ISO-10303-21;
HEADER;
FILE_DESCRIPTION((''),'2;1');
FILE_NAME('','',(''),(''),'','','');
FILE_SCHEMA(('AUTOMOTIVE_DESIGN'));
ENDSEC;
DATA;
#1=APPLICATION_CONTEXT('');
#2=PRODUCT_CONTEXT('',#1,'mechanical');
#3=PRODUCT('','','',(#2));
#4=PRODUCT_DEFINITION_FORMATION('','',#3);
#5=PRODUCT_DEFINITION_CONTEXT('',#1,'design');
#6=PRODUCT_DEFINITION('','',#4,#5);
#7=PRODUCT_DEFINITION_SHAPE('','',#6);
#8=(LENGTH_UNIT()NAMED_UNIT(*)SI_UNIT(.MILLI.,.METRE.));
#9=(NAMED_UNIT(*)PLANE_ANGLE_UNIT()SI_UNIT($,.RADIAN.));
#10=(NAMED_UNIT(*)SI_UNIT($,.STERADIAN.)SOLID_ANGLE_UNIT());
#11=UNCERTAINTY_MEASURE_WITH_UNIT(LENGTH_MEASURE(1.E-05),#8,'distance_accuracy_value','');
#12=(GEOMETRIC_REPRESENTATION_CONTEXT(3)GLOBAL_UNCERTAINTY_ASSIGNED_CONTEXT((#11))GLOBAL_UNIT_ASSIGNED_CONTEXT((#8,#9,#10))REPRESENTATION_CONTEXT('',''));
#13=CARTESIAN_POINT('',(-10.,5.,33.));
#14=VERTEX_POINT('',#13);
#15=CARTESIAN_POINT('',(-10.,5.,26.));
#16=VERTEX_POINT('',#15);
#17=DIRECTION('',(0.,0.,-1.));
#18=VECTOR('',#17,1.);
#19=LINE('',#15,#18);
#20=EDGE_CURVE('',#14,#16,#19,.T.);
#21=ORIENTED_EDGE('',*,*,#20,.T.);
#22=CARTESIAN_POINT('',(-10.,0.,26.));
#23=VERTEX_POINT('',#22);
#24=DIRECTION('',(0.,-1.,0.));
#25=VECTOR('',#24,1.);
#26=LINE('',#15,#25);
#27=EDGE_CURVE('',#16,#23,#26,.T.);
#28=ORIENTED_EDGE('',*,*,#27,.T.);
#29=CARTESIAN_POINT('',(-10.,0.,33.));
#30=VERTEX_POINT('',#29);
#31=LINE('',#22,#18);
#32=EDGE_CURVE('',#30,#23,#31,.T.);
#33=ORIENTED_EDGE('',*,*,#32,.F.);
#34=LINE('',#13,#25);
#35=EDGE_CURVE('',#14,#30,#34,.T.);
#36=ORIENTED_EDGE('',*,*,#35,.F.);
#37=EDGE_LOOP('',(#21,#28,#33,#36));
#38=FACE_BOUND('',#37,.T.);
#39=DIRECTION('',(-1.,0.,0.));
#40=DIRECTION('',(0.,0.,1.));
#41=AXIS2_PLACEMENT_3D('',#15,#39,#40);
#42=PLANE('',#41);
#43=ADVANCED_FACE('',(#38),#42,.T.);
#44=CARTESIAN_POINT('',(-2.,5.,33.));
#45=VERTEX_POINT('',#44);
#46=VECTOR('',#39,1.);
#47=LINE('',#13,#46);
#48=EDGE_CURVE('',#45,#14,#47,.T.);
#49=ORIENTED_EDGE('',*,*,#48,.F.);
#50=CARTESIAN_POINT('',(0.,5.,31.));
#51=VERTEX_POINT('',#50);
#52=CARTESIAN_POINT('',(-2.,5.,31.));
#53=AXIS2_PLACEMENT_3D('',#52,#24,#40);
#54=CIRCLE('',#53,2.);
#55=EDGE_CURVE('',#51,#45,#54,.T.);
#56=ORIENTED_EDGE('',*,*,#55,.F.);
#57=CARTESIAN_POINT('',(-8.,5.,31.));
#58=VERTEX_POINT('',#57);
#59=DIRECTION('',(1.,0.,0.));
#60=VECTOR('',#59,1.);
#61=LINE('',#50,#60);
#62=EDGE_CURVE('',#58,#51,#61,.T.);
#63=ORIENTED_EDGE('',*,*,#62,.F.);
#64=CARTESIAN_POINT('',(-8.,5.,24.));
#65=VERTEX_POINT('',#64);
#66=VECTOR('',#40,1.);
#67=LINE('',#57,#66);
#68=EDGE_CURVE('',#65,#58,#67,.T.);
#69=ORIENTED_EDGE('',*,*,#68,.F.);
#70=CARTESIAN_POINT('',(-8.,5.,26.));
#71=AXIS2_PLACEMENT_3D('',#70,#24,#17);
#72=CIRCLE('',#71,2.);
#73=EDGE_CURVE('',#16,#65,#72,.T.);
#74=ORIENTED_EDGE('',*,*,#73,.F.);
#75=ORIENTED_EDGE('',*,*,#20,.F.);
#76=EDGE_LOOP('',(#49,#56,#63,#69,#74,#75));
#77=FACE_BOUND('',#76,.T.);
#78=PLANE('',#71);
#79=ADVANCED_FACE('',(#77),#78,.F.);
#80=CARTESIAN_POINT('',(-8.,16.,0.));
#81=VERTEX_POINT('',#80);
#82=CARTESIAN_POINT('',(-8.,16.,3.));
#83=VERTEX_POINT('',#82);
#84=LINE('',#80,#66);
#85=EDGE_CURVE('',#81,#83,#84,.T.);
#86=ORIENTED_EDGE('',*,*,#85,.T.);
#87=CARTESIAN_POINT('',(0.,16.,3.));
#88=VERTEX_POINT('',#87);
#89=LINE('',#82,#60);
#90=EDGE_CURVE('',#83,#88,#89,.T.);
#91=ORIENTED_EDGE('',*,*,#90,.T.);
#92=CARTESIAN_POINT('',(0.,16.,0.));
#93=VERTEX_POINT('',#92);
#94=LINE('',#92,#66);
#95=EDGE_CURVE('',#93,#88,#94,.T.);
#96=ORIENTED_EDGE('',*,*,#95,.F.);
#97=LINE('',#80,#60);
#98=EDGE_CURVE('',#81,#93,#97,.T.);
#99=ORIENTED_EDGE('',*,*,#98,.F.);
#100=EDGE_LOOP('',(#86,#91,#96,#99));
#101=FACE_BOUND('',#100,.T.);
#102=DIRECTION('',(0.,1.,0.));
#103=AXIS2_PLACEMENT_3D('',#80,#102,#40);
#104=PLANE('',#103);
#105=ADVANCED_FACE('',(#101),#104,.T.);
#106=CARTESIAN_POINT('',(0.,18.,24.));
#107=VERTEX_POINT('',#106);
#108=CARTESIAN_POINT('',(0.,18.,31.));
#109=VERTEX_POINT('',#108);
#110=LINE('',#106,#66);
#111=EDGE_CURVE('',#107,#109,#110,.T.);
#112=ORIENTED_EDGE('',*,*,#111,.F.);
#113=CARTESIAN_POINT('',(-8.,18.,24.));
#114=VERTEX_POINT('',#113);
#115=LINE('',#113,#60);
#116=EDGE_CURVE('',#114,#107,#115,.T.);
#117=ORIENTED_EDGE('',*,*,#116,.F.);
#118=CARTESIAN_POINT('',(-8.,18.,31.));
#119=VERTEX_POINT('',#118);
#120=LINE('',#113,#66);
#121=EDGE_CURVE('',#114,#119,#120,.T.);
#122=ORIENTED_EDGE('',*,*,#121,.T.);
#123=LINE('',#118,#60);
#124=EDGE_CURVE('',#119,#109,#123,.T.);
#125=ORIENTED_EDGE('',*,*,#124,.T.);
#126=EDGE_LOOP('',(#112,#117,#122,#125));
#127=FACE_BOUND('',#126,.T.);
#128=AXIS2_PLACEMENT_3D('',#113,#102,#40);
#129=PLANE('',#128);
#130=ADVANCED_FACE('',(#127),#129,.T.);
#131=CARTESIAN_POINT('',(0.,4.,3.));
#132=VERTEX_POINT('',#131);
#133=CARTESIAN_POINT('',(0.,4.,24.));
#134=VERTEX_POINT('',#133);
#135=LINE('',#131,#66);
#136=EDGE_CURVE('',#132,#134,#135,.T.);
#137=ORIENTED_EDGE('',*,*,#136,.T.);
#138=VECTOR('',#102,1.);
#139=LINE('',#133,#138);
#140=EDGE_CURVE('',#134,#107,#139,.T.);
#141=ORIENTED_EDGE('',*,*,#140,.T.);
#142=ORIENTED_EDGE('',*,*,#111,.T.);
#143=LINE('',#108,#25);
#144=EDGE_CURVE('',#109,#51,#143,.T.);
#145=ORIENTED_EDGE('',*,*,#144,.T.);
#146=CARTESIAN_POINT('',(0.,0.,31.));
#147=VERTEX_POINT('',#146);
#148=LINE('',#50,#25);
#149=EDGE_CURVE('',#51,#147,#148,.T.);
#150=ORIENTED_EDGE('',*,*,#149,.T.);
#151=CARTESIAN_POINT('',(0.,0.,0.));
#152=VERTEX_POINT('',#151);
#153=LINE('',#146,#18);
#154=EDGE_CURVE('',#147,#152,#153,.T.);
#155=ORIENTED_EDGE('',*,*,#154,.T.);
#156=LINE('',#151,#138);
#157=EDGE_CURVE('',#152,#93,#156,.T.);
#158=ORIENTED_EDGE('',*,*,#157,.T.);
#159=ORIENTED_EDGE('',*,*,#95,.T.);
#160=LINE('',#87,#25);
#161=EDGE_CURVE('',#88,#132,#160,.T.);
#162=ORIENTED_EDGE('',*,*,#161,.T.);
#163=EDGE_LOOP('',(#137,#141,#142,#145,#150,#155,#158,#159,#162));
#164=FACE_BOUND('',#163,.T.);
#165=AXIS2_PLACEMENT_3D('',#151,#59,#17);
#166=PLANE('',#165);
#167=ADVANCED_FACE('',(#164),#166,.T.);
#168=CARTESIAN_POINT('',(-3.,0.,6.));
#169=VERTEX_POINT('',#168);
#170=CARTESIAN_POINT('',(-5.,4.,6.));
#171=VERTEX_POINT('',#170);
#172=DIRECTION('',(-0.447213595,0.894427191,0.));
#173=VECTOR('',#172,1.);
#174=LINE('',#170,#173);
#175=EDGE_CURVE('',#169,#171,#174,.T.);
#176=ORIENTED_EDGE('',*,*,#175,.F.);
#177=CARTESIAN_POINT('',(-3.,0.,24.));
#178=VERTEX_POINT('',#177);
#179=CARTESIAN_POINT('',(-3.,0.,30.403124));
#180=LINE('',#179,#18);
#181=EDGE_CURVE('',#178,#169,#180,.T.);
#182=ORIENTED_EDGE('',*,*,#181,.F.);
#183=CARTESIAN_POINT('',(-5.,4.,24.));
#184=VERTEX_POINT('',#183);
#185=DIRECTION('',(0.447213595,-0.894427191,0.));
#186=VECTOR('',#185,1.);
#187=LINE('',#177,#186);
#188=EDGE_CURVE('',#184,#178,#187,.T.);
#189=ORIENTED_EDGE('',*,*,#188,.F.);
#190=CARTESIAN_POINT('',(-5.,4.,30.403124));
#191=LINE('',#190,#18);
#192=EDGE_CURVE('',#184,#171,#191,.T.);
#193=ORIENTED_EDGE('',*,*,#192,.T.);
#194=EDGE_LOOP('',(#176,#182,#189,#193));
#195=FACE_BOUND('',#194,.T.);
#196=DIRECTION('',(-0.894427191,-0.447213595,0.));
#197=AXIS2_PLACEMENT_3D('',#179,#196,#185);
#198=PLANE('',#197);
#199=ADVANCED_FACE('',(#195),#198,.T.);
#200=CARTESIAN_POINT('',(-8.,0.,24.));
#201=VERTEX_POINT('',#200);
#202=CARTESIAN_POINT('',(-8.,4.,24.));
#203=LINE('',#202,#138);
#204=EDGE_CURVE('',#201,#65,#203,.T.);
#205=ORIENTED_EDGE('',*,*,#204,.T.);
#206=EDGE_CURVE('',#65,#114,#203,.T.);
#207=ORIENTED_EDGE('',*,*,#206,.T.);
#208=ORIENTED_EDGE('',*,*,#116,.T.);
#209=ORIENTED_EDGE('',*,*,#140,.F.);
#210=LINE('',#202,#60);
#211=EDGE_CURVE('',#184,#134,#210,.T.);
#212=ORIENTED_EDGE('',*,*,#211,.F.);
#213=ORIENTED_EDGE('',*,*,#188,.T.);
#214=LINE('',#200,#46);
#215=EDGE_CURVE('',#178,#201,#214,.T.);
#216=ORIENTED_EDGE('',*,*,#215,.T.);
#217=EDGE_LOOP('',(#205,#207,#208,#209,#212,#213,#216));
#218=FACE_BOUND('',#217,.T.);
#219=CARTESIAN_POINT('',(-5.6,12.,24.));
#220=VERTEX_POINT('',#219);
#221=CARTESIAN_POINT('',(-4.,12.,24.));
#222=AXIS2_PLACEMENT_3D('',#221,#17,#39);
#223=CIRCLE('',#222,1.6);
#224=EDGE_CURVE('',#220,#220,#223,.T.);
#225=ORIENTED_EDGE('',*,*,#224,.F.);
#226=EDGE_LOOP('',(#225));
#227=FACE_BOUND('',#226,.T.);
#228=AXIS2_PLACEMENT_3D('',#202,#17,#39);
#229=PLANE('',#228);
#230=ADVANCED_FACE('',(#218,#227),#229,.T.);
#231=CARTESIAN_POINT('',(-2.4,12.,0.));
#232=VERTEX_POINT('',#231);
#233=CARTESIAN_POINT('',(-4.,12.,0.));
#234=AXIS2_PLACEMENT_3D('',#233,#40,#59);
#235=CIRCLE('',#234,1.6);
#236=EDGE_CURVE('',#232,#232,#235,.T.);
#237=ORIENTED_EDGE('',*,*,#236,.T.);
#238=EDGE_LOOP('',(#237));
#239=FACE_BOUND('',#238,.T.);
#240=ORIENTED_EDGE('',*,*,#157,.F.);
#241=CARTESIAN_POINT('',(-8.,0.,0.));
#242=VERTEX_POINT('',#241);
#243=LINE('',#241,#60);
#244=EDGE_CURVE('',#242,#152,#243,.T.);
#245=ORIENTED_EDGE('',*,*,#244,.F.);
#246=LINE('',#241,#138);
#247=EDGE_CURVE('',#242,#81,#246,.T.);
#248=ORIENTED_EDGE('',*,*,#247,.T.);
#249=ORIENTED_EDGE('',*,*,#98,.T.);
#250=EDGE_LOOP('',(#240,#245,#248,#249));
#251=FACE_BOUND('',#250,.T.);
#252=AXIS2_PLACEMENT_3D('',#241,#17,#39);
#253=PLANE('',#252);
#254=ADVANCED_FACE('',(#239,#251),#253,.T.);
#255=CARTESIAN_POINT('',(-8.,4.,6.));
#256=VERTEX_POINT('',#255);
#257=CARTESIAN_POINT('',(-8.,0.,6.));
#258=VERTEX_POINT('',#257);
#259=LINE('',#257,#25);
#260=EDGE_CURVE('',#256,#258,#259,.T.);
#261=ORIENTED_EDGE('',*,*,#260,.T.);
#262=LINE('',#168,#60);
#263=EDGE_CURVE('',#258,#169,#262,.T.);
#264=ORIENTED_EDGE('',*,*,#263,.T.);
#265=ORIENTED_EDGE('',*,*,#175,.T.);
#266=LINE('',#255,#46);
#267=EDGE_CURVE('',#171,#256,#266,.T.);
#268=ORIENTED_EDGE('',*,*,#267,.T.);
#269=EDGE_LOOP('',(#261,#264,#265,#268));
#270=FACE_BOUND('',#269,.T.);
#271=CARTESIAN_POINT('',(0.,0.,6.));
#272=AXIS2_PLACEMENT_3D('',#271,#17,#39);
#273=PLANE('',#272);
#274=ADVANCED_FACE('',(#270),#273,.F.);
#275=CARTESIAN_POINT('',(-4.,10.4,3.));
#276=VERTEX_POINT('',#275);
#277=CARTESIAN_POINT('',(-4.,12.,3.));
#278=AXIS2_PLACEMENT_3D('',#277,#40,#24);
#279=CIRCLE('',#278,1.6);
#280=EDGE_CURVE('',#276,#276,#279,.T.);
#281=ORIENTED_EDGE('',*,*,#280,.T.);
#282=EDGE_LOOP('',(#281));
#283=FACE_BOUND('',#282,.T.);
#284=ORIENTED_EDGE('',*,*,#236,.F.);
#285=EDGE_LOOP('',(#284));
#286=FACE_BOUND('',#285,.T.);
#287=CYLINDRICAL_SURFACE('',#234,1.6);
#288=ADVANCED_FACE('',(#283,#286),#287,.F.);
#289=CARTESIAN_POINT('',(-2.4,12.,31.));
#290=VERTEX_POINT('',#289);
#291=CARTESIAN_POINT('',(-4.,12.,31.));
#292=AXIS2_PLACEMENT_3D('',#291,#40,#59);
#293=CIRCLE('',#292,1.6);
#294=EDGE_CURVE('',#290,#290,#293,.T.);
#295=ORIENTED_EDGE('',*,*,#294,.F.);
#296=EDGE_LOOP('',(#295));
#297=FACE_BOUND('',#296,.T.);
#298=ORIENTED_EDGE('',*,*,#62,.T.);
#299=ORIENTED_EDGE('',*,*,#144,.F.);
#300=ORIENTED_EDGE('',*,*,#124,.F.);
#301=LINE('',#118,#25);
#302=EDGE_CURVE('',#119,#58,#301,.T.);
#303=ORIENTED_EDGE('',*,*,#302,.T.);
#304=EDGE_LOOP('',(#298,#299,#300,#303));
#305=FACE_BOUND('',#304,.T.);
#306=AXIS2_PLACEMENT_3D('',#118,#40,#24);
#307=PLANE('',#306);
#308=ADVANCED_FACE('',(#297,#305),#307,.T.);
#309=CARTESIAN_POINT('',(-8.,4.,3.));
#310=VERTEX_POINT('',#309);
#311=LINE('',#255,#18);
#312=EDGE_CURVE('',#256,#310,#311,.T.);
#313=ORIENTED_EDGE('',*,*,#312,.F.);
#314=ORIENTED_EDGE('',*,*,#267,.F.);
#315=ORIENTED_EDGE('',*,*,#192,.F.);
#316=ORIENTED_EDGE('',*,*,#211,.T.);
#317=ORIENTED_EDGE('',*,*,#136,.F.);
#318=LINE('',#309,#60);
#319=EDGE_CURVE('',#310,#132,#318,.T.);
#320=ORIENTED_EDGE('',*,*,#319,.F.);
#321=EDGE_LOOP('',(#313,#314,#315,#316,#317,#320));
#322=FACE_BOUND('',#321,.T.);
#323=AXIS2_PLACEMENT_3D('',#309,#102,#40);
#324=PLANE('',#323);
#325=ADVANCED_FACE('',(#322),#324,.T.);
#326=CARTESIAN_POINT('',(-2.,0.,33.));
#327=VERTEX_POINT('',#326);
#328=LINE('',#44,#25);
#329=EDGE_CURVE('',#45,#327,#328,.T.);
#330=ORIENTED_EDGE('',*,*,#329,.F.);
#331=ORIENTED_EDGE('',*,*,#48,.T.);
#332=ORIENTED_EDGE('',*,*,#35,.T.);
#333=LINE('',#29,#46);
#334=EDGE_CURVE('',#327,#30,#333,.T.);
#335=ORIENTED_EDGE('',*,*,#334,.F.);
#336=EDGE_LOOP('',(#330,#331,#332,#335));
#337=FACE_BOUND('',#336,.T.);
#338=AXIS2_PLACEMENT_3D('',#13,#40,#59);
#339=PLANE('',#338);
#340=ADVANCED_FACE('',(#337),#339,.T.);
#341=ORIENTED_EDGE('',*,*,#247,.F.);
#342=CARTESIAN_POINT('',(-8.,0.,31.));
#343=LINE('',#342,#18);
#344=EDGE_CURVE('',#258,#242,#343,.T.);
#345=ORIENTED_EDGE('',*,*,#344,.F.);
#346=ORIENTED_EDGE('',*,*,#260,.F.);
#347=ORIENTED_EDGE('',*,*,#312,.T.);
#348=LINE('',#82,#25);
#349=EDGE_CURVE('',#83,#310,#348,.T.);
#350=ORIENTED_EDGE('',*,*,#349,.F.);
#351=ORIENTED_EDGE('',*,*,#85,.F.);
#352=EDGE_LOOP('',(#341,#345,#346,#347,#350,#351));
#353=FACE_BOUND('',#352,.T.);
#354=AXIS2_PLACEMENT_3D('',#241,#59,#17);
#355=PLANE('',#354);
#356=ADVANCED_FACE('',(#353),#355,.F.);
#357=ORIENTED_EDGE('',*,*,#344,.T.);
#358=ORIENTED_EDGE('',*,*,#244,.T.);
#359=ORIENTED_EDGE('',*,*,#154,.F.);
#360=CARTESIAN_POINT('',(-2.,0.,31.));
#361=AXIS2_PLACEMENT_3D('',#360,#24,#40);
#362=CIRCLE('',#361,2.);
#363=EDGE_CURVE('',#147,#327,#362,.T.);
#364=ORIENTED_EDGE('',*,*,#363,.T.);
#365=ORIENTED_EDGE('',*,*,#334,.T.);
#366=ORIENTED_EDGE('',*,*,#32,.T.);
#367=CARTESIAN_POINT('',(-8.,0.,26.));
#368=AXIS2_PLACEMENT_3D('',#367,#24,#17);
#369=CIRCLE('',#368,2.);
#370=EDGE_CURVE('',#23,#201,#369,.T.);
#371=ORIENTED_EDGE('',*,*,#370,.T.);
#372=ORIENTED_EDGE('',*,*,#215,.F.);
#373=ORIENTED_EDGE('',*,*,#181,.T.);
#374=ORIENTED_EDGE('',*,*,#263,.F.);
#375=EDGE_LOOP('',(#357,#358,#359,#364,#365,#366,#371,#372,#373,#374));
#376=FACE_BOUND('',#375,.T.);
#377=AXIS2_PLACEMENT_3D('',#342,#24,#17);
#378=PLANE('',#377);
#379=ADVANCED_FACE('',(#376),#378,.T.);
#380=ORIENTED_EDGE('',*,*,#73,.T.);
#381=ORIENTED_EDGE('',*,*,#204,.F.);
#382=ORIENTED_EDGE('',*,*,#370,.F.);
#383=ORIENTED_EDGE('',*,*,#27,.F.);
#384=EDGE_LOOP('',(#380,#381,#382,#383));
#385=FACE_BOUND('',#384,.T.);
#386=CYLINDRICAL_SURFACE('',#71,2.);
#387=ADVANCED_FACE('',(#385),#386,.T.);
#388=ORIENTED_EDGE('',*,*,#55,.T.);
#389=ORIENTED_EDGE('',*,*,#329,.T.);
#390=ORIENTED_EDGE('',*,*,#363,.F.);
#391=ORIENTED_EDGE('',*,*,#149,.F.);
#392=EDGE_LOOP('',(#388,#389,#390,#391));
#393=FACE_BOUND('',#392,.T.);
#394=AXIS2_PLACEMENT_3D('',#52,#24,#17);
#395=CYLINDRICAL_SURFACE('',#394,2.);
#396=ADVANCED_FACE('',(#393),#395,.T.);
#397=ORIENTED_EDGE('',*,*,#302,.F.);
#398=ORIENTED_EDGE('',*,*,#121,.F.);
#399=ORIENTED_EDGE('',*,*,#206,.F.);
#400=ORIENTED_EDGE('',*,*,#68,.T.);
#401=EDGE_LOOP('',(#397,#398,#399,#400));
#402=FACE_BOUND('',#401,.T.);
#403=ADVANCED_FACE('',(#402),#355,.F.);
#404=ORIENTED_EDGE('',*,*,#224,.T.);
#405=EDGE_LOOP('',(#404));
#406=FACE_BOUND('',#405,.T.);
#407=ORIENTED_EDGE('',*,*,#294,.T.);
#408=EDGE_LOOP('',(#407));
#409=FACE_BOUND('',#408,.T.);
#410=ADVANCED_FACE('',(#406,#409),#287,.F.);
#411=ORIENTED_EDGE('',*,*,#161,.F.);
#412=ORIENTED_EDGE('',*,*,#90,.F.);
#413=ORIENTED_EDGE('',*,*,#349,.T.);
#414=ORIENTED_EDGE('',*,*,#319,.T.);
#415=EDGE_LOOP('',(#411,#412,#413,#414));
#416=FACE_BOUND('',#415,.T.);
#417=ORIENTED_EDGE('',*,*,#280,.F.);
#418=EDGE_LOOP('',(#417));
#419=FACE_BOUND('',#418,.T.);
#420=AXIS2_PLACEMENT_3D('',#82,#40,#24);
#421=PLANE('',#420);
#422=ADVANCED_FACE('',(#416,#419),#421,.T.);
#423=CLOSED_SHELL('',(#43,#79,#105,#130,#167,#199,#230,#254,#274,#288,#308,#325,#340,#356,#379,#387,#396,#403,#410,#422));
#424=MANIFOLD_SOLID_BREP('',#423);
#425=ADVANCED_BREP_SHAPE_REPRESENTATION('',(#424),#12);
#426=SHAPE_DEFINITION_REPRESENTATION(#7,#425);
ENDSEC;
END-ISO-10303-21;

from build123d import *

# Parameters (mm, degrees)
BOSS_EXTRUDE1_DEPTH = 8
CUT_EXTRUDE2_DEPTH  = 21
BOSS_EXTRUDE2_DEPTH = 3
BOSS_EXTRUDE5_DEPTH = 5
SKETCH6_R           = 1.6
CUT_EXTRUDE3_DEPTH  = 38.215588132


with BuildPart() as part:
    # Sketch1 → Boss-Extrude1 (new body)
    with BuildSketch(Plane(origin=(0, 0, 0), x_dir=(0, 0, -1), z_dir=(1, 0, 0))):
        Polygon((0, 0), (0, 16), (-3, 16), (-3, 4), (-24, 4), (-24, 18), (-31, 18), (-31, 0), align=None)
    extrude(amount=-BOSS_EXTRUDE1_DEPTH)

    # Sketch5 → Cut-Extrude2 (cut)
    with BuildSketch(Plane.XY.offset(3)):
        Polygon((-8, 0), (-3, 0), (-5, 4), (-8, 4), align=None)
    extrude(amount=CUT_EXTRUDE2_DEPTH, mode=Mode.SUBTRACT)

    # Sketch8 → Boss-Extrude2 (add)
    with BuildSketch(Plane.XY.offset(3)):
        Polygon((-8, 4), (-5, 4), (-3, 0), (-8, 0), align=None)
    extrude(amount=BOSS_EXTRUDE2_DEPTH)

    # Sketch11 → Boss-Extrude5 (add)
    with BuildSketch(Plane.XZ):
        with BuildLine():
            Line((-10, 26), (-10, 33))
            Line((-10, 33), (-2, 33))
            ThreePointArc((-2, 33), (-0.585786438, 32.414213562), (0, 31))
            Line((0, 31), (-8, 31))
            Line((-8, 31), (-8, 24))
            ThreePointArc((-8, 24), (-9.414213562, 24.585786438), (-10, 26))
        make_face()
    extrude(amount=-BOSS_EXTRUDE5_DEPTH)

    # Sketch6 → Cut-Extrude3 (cut, through all)
    with BuildSketch(Plane.XY.offset(31)):
        with Locations((-4, 12)):
            Circle(SKETCH6_R)
    extrude(amount=-CUT_EXTRUDE3_DEPTH, mode=Mode.SUBTRACT)


solid = part.part
